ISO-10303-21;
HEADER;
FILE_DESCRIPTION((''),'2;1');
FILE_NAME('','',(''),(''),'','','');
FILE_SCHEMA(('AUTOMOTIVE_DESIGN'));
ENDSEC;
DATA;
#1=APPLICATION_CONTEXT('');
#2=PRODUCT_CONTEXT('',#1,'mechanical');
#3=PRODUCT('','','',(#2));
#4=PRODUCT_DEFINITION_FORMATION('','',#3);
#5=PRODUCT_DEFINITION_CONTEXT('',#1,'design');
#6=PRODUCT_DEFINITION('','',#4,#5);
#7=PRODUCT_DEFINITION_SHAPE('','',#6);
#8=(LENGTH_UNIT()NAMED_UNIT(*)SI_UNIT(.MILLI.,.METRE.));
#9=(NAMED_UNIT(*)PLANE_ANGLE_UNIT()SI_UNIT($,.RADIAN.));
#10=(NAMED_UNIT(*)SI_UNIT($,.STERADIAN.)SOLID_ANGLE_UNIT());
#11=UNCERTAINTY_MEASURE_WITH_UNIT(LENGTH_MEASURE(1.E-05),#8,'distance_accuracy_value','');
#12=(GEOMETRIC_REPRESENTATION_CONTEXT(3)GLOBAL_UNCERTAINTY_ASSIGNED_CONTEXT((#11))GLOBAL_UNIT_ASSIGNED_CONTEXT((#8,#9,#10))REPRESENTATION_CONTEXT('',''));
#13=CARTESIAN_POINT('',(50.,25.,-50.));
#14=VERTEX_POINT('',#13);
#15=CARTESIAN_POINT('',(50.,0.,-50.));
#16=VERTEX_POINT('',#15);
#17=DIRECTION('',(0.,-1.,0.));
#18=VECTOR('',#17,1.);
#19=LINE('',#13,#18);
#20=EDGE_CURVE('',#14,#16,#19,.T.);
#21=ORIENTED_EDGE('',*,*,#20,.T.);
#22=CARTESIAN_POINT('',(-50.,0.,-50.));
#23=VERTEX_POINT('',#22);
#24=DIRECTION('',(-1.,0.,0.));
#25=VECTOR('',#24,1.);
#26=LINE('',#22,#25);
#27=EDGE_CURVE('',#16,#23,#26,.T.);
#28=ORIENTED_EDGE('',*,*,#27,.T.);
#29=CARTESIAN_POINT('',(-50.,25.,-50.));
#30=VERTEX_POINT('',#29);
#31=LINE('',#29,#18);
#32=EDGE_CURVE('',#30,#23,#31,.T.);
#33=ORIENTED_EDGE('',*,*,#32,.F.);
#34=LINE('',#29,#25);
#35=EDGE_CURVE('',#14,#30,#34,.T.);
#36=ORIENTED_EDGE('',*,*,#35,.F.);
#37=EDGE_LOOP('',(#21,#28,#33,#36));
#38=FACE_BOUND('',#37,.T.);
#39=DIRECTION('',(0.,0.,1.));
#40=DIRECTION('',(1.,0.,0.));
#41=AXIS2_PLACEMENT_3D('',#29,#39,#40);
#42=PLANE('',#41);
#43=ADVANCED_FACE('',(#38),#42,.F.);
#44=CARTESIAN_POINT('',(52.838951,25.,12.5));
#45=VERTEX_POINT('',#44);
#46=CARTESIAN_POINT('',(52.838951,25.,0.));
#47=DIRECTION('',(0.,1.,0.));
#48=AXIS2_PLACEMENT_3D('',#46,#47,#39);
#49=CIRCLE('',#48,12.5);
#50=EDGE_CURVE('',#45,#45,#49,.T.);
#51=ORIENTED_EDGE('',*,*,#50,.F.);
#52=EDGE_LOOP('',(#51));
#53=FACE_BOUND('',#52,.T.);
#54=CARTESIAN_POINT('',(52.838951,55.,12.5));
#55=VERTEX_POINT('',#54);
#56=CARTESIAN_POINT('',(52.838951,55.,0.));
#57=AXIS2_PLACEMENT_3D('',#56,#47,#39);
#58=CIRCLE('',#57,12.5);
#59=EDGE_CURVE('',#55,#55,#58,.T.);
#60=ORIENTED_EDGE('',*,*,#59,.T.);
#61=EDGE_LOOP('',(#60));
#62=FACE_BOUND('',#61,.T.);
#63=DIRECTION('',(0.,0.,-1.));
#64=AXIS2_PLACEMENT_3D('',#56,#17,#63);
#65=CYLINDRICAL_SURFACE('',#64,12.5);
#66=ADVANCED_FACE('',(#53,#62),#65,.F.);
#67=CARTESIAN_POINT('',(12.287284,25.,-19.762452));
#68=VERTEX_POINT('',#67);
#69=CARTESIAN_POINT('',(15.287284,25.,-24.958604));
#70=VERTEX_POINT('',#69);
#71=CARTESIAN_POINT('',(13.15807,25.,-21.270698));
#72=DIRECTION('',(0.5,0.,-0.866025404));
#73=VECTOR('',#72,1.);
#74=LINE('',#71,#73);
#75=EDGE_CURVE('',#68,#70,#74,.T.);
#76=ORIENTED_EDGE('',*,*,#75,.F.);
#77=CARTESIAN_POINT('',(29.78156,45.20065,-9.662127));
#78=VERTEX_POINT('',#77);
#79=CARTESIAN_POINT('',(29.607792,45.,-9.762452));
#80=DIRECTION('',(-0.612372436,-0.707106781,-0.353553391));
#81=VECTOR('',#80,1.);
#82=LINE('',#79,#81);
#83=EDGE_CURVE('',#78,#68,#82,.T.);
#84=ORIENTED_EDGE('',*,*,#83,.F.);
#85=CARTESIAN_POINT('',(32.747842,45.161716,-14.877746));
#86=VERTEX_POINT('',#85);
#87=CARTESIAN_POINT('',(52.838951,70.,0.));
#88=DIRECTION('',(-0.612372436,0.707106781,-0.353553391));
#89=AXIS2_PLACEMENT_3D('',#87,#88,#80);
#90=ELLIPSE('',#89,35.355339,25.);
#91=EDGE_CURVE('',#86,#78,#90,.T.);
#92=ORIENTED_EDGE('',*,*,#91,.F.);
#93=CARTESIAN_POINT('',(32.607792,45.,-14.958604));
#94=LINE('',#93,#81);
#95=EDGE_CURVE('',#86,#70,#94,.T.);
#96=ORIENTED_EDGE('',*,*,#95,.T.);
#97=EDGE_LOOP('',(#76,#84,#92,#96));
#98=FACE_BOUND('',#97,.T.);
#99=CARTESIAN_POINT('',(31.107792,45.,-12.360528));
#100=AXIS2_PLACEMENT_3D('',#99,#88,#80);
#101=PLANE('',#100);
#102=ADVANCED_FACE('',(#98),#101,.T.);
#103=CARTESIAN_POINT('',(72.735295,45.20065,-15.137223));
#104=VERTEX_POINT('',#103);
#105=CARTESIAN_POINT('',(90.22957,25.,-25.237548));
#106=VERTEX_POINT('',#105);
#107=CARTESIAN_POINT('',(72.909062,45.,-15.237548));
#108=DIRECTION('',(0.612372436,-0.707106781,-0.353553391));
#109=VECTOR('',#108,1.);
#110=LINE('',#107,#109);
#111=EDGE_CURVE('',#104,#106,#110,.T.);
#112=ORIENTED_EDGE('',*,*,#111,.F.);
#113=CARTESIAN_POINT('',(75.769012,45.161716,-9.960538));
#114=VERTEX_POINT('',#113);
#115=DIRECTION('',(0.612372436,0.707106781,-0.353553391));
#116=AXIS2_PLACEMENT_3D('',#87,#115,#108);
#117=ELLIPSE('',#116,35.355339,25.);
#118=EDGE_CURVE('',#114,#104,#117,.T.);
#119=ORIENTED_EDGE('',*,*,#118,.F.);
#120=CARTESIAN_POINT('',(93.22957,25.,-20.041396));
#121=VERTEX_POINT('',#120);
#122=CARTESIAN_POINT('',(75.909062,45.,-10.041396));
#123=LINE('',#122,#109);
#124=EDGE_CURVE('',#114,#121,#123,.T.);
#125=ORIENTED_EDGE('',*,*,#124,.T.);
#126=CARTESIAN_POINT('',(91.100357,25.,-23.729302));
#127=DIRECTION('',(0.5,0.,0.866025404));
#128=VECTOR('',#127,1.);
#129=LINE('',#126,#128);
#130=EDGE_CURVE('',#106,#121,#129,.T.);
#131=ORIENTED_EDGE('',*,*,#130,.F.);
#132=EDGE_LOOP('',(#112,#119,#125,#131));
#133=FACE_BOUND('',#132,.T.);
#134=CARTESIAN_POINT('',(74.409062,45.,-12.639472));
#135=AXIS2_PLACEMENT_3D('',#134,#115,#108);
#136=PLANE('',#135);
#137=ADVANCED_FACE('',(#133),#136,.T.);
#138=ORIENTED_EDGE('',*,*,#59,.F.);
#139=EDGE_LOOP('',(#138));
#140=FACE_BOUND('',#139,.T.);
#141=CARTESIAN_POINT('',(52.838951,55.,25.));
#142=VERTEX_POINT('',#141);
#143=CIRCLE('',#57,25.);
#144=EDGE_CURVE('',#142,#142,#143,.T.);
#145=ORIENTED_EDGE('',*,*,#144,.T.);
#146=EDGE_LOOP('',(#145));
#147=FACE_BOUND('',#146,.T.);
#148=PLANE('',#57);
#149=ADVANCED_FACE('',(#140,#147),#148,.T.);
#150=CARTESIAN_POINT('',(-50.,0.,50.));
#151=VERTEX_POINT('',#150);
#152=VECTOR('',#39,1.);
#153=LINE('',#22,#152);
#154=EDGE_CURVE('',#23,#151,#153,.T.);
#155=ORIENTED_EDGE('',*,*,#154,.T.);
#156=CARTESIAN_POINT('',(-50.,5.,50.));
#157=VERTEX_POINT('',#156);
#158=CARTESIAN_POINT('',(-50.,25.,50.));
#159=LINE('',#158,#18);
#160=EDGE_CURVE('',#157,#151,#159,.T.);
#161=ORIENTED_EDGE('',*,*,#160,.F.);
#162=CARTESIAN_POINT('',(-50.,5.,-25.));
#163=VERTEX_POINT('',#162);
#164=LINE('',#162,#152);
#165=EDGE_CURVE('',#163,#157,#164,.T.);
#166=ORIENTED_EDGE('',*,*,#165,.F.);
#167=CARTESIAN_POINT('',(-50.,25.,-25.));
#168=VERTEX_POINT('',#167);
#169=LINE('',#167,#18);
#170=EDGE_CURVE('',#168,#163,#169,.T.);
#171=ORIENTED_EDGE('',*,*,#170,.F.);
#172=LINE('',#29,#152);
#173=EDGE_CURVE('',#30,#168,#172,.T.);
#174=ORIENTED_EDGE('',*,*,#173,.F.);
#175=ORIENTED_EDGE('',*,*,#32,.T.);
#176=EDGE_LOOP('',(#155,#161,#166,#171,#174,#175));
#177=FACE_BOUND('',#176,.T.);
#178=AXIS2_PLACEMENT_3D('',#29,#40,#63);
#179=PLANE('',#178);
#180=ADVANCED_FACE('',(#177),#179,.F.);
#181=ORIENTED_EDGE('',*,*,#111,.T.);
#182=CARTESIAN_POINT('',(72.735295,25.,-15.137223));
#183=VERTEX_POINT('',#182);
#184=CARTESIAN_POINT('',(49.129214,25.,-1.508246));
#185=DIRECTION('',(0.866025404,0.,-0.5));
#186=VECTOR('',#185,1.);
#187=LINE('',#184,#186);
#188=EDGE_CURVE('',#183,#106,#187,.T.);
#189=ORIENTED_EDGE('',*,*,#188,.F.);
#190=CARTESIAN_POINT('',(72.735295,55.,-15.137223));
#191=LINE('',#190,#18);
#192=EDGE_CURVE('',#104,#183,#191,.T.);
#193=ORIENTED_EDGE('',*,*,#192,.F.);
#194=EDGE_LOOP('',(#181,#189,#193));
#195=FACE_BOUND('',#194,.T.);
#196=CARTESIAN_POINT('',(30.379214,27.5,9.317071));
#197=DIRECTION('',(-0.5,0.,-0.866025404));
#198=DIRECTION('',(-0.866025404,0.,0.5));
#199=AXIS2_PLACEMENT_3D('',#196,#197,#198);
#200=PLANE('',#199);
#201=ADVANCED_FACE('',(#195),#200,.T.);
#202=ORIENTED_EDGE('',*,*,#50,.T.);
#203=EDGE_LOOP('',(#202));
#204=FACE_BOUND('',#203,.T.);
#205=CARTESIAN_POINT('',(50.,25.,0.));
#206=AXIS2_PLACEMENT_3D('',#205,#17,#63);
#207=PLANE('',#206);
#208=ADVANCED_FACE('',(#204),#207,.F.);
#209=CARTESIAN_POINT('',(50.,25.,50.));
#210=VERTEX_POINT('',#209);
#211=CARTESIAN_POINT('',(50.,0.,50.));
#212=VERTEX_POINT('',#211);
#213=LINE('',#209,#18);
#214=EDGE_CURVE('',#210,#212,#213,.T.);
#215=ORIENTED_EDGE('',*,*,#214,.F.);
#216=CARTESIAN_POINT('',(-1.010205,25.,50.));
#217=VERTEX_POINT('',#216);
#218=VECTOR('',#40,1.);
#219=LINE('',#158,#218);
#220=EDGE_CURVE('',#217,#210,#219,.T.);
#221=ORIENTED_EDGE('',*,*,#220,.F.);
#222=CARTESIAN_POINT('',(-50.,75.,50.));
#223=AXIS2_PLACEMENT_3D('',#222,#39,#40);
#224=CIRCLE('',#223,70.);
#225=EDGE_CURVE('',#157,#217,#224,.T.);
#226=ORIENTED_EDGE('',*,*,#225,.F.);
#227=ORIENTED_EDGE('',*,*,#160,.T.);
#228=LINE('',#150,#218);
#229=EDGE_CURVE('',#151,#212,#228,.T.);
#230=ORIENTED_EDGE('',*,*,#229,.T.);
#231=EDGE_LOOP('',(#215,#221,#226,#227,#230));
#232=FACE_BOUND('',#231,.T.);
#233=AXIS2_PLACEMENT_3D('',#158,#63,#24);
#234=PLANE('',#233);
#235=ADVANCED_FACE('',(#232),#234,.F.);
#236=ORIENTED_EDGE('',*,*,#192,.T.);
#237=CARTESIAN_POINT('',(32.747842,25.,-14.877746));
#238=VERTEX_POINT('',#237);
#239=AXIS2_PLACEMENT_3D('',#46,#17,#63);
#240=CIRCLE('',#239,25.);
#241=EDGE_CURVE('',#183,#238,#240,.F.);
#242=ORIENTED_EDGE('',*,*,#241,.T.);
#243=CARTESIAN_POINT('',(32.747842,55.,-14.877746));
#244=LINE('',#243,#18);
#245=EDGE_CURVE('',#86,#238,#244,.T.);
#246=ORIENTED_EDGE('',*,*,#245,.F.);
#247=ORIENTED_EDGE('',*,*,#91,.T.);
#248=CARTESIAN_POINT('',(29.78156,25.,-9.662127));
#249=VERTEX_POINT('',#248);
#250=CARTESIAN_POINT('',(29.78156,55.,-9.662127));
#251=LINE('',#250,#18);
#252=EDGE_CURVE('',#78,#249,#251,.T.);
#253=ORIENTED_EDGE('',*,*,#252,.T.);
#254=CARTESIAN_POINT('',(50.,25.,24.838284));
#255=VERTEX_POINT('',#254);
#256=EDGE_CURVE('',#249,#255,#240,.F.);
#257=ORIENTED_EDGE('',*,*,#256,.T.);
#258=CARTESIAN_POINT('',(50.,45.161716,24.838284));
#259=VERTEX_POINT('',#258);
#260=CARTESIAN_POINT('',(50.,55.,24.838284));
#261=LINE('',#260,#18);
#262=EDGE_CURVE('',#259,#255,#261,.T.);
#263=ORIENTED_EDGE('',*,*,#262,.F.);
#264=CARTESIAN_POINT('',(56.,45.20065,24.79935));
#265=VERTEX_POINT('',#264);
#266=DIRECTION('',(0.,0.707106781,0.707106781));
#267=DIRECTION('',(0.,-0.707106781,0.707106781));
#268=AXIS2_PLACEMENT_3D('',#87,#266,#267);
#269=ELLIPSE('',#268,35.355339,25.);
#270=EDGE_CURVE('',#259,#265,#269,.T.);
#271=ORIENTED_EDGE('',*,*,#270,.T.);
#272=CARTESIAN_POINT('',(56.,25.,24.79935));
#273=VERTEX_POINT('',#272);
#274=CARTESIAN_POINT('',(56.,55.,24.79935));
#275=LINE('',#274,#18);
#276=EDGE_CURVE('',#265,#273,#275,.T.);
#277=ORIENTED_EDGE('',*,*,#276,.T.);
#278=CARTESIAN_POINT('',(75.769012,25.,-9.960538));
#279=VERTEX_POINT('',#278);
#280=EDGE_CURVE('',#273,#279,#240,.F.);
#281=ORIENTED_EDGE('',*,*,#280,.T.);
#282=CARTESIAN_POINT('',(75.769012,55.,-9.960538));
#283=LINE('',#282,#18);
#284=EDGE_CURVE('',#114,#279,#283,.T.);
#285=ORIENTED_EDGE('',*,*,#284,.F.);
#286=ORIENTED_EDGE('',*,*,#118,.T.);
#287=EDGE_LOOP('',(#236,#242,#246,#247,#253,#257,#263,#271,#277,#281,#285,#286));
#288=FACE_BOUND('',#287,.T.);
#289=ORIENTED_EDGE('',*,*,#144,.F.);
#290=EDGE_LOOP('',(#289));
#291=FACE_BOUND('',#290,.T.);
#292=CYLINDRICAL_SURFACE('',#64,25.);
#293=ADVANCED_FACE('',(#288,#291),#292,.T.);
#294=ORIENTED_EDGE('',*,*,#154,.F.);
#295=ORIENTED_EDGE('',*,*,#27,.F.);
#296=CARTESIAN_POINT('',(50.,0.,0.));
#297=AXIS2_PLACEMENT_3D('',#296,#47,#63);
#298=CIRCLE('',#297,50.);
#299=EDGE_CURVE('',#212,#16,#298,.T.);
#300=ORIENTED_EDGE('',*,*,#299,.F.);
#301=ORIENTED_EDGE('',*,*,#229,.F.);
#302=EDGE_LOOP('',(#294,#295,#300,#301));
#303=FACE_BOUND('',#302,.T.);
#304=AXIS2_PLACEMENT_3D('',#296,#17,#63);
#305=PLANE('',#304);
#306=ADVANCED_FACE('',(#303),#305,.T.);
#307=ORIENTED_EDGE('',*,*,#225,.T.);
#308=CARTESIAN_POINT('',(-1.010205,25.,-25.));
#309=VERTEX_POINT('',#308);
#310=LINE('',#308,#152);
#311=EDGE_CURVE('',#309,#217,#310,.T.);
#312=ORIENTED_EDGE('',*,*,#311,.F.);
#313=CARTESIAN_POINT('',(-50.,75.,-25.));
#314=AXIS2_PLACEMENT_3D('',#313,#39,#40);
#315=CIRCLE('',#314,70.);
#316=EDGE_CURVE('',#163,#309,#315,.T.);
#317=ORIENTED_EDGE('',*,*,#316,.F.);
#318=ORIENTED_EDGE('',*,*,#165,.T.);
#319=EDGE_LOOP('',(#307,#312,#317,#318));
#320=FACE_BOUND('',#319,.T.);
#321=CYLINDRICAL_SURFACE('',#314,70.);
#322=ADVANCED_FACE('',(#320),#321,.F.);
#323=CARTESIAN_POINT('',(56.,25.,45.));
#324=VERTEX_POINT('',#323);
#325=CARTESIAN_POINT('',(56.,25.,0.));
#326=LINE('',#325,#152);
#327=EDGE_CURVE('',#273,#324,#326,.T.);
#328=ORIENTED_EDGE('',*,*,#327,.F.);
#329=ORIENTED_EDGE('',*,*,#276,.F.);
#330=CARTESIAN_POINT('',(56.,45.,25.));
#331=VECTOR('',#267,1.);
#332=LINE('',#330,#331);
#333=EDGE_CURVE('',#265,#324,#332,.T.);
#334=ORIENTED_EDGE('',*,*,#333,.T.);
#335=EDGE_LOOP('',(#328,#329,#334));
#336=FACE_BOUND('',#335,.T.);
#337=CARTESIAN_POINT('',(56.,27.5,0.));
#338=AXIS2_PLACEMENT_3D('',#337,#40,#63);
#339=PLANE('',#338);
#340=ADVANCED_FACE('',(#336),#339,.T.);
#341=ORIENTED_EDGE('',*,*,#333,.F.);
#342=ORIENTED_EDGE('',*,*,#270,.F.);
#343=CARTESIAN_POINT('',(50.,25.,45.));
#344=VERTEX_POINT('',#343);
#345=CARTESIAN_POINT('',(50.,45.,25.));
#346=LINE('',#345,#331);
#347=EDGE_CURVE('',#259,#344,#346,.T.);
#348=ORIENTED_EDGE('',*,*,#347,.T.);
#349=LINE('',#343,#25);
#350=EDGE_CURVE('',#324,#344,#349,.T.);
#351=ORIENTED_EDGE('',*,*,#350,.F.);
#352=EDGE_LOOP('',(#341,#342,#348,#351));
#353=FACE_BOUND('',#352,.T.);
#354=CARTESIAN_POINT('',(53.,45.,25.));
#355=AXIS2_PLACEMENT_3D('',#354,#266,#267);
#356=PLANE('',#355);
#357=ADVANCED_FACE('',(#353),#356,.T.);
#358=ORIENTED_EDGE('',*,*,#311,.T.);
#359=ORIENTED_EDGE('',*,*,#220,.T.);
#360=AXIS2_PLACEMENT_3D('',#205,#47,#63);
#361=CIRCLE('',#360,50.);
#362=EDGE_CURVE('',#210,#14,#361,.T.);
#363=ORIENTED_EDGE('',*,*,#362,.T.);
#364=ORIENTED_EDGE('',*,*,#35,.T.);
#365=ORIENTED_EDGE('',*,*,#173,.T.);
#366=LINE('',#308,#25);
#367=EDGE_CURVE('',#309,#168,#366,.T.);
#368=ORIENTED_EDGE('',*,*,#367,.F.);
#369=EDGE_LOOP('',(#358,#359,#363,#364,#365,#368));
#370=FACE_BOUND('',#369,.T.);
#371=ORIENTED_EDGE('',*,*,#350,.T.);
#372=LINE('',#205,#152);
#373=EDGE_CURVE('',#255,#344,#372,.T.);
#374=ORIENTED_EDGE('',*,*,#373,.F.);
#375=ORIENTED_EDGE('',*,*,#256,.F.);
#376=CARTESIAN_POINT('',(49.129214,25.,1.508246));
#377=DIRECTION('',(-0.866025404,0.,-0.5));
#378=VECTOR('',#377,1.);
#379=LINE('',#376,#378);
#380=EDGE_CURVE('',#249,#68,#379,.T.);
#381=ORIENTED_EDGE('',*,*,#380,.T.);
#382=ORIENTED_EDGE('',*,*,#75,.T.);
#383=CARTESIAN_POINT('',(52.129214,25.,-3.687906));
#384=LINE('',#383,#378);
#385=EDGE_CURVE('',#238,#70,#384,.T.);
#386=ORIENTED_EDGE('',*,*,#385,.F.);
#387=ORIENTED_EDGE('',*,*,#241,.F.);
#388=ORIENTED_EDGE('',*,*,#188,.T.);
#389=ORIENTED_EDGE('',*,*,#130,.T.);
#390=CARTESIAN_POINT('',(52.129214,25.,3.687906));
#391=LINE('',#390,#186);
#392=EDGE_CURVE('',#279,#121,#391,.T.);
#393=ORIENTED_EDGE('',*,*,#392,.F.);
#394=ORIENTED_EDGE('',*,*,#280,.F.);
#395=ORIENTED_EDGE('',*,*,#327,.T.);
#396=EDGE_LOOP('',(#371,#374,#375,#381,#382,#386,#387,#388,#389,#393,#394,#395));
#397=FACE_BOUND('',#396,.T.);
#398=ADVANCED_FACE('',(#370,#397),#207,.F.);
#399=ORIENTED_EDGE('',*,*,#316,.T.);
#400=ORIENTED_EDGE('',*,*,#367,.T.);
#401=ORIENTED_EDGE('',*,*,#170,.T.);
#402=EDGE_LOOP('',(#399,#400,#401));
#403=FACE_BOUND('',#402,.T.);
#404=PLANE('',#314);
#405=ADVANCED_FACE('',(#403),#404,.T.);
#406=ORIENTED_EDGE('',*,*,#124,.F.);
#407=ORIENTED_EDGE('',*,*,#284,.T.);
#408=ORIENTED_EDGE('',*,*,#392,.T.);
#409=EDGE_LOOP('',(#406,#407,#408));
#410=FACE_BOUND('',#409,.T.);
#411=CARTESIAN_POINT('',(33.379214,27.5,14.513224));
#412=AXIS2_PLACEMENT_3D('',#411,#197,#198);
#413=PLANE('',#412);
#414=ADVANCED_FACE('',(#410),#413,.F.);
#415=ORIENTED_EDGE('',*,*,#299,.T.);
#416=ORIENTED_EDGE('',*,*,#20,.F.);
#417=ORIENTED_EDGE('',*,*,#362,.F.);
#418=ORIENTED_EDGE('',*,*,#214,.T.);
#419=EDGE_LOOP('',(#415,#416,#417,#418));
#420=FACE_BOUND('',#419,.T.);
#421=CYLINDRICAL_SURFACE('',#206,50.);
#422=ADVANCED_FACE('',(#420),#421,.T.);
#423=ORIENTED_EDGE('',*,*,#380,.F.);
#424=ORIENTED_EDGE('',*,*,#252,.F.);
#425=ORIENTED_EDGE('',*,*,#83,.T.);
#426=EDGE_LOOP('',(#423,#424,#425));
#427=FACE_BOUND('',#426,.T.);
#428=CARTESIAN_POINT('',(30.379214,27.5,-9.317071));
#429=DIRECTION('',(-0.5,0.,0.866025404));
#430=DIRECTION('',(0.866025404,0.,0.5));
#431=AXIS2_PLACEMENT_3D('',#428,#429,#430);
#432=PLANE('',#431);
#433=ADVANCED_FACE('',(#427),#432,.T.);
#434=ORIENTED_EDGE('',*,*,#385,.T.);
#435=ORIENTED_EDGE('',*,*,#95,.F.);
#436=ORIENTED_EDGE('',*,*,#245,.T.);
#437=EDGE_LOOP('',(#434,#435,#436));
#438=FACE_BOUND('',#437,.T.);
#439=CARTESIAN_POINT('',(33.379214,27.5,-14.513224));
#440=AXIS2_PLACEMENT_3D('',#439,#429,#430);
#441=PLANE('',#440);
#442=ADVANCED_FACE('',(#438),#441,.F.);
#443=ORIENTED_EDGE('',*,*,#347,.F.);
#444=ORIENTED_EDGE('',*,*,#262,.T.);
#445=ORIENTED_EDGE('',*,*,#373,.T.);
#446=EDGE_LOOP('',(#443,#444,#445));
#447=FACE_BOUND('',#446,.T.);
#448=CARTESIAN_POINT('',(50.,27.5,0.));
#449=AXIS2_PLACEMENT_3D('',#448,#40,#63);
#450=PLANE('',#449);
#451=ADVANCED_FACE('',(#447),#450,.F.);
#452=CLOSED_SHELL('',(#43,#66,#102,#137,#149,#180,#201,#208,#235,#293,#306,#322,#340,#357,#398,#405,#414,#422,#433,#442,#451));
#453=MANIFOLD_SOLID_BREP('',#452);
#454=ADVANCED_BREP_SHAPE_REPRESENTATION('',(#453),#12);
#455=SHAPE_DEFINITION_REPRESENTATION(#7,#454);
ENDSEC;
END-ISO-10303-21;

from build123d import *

# Parameters (mm, degrees)
BOSS_EXTRUDE1_DEPTH = 25
CUT_EXTRUDE1_DEPTH  = 75
SKETCH3_R           = 25
SKETCH3_R_2         = 12.5
BOSS_EXTRUDE2_DEPTH = 30
RIB2_REACH          = 129.02
SKETCH5_WALL_W      = 284.323638276
SKETCH5_WALL_H      = 6
CIRPATTERN1_COUNT   = 3


with BuildPart() as part:
    # Sketch1 → Boss-Extrude1 (new body)
    with BuildSketch(Plane(origin=(0, 0, 0), x_dir=(1, 0, 0), z_dir=(0, 1, 0))):
        with BuildLine():
            Line((-50, 50), (50, 50))
            ThreePointArc((50, 50), (100, 0), (50, -50))
            Line((50, -50), (-50, -50))
            Line((-50, -50), (-50, 50))
        make_face()
    extrude(amount=BOSS_EXTRUDE1_DEPTH)

    # Sketch2 → Cut-Extrude1 (cut)
    with BuildSketch(Plane.XY.offset(50)):
        with BuildLine():
            Line((-1.010205144, 25), (-50, 25))
            Line((-50, 25), (-50, 5))
            ThreePointArc((-50, 5), (-23.542486889, 10.192593016), (-1.010205144, 25))
        make_face()
    extrude(amount=-CUT_EXTRUDE1_DEPTH, mode=Mode.SUBTRACT)

    # Sketch3 → Boss-Extrude2 (add)
    with BuildSketch(Plane(origin=(0, 25, 0), x_dir=(1, 0, 0), z_dir=(0, 1, 0))):
        with Locations(Location((52.838951486, 0, 0), (0, 0, 90))):
            Circle(SKETCH3_R)
        with Locations(Location((52.838951486, 0, 0), (0, 0, 270))):
            Circle(SKETCH3_R_2, mode=Mode.SUBTRACT)
    extrude(amount=BOSS_EXTRUDE2_DEPTH)

    # Sketch5 wall → Rib2 (add, up to next)
    with BuildSketch(Plane(origin=(53, 35, 35), x_dir=(0, -0.707106781187, 0.707106781187), z_dir=(0, -0.707106781187, -0.707106781187)), mode=Mode.PRIVATE) as rib2_sk1:
        Rectangle(SKETCH5_WALL_W, SKETCH5_WALL_H)
    rib2_tool1 = extrude(rib2_sk1.sketch, amount=RIB2_REACH, mode=Mode.PRIVATE) - part.part
    rib2 = rib2_tool1.solids().sort_by_distance((53, 35, 35))[0]
    add(rib2)

    # CirPattern1: Rib2 ×3 about axis
    cirpattern1_axis = Axis((52.838951486, 0, 0), (0, 1, 0))
    for i in range(1, CIRPATTERN1_COUNT):
        add(rib2.rotate(cirpattern1_axis, i * 360 / CIRPATTERN1_COUNT))


solid = part.part
